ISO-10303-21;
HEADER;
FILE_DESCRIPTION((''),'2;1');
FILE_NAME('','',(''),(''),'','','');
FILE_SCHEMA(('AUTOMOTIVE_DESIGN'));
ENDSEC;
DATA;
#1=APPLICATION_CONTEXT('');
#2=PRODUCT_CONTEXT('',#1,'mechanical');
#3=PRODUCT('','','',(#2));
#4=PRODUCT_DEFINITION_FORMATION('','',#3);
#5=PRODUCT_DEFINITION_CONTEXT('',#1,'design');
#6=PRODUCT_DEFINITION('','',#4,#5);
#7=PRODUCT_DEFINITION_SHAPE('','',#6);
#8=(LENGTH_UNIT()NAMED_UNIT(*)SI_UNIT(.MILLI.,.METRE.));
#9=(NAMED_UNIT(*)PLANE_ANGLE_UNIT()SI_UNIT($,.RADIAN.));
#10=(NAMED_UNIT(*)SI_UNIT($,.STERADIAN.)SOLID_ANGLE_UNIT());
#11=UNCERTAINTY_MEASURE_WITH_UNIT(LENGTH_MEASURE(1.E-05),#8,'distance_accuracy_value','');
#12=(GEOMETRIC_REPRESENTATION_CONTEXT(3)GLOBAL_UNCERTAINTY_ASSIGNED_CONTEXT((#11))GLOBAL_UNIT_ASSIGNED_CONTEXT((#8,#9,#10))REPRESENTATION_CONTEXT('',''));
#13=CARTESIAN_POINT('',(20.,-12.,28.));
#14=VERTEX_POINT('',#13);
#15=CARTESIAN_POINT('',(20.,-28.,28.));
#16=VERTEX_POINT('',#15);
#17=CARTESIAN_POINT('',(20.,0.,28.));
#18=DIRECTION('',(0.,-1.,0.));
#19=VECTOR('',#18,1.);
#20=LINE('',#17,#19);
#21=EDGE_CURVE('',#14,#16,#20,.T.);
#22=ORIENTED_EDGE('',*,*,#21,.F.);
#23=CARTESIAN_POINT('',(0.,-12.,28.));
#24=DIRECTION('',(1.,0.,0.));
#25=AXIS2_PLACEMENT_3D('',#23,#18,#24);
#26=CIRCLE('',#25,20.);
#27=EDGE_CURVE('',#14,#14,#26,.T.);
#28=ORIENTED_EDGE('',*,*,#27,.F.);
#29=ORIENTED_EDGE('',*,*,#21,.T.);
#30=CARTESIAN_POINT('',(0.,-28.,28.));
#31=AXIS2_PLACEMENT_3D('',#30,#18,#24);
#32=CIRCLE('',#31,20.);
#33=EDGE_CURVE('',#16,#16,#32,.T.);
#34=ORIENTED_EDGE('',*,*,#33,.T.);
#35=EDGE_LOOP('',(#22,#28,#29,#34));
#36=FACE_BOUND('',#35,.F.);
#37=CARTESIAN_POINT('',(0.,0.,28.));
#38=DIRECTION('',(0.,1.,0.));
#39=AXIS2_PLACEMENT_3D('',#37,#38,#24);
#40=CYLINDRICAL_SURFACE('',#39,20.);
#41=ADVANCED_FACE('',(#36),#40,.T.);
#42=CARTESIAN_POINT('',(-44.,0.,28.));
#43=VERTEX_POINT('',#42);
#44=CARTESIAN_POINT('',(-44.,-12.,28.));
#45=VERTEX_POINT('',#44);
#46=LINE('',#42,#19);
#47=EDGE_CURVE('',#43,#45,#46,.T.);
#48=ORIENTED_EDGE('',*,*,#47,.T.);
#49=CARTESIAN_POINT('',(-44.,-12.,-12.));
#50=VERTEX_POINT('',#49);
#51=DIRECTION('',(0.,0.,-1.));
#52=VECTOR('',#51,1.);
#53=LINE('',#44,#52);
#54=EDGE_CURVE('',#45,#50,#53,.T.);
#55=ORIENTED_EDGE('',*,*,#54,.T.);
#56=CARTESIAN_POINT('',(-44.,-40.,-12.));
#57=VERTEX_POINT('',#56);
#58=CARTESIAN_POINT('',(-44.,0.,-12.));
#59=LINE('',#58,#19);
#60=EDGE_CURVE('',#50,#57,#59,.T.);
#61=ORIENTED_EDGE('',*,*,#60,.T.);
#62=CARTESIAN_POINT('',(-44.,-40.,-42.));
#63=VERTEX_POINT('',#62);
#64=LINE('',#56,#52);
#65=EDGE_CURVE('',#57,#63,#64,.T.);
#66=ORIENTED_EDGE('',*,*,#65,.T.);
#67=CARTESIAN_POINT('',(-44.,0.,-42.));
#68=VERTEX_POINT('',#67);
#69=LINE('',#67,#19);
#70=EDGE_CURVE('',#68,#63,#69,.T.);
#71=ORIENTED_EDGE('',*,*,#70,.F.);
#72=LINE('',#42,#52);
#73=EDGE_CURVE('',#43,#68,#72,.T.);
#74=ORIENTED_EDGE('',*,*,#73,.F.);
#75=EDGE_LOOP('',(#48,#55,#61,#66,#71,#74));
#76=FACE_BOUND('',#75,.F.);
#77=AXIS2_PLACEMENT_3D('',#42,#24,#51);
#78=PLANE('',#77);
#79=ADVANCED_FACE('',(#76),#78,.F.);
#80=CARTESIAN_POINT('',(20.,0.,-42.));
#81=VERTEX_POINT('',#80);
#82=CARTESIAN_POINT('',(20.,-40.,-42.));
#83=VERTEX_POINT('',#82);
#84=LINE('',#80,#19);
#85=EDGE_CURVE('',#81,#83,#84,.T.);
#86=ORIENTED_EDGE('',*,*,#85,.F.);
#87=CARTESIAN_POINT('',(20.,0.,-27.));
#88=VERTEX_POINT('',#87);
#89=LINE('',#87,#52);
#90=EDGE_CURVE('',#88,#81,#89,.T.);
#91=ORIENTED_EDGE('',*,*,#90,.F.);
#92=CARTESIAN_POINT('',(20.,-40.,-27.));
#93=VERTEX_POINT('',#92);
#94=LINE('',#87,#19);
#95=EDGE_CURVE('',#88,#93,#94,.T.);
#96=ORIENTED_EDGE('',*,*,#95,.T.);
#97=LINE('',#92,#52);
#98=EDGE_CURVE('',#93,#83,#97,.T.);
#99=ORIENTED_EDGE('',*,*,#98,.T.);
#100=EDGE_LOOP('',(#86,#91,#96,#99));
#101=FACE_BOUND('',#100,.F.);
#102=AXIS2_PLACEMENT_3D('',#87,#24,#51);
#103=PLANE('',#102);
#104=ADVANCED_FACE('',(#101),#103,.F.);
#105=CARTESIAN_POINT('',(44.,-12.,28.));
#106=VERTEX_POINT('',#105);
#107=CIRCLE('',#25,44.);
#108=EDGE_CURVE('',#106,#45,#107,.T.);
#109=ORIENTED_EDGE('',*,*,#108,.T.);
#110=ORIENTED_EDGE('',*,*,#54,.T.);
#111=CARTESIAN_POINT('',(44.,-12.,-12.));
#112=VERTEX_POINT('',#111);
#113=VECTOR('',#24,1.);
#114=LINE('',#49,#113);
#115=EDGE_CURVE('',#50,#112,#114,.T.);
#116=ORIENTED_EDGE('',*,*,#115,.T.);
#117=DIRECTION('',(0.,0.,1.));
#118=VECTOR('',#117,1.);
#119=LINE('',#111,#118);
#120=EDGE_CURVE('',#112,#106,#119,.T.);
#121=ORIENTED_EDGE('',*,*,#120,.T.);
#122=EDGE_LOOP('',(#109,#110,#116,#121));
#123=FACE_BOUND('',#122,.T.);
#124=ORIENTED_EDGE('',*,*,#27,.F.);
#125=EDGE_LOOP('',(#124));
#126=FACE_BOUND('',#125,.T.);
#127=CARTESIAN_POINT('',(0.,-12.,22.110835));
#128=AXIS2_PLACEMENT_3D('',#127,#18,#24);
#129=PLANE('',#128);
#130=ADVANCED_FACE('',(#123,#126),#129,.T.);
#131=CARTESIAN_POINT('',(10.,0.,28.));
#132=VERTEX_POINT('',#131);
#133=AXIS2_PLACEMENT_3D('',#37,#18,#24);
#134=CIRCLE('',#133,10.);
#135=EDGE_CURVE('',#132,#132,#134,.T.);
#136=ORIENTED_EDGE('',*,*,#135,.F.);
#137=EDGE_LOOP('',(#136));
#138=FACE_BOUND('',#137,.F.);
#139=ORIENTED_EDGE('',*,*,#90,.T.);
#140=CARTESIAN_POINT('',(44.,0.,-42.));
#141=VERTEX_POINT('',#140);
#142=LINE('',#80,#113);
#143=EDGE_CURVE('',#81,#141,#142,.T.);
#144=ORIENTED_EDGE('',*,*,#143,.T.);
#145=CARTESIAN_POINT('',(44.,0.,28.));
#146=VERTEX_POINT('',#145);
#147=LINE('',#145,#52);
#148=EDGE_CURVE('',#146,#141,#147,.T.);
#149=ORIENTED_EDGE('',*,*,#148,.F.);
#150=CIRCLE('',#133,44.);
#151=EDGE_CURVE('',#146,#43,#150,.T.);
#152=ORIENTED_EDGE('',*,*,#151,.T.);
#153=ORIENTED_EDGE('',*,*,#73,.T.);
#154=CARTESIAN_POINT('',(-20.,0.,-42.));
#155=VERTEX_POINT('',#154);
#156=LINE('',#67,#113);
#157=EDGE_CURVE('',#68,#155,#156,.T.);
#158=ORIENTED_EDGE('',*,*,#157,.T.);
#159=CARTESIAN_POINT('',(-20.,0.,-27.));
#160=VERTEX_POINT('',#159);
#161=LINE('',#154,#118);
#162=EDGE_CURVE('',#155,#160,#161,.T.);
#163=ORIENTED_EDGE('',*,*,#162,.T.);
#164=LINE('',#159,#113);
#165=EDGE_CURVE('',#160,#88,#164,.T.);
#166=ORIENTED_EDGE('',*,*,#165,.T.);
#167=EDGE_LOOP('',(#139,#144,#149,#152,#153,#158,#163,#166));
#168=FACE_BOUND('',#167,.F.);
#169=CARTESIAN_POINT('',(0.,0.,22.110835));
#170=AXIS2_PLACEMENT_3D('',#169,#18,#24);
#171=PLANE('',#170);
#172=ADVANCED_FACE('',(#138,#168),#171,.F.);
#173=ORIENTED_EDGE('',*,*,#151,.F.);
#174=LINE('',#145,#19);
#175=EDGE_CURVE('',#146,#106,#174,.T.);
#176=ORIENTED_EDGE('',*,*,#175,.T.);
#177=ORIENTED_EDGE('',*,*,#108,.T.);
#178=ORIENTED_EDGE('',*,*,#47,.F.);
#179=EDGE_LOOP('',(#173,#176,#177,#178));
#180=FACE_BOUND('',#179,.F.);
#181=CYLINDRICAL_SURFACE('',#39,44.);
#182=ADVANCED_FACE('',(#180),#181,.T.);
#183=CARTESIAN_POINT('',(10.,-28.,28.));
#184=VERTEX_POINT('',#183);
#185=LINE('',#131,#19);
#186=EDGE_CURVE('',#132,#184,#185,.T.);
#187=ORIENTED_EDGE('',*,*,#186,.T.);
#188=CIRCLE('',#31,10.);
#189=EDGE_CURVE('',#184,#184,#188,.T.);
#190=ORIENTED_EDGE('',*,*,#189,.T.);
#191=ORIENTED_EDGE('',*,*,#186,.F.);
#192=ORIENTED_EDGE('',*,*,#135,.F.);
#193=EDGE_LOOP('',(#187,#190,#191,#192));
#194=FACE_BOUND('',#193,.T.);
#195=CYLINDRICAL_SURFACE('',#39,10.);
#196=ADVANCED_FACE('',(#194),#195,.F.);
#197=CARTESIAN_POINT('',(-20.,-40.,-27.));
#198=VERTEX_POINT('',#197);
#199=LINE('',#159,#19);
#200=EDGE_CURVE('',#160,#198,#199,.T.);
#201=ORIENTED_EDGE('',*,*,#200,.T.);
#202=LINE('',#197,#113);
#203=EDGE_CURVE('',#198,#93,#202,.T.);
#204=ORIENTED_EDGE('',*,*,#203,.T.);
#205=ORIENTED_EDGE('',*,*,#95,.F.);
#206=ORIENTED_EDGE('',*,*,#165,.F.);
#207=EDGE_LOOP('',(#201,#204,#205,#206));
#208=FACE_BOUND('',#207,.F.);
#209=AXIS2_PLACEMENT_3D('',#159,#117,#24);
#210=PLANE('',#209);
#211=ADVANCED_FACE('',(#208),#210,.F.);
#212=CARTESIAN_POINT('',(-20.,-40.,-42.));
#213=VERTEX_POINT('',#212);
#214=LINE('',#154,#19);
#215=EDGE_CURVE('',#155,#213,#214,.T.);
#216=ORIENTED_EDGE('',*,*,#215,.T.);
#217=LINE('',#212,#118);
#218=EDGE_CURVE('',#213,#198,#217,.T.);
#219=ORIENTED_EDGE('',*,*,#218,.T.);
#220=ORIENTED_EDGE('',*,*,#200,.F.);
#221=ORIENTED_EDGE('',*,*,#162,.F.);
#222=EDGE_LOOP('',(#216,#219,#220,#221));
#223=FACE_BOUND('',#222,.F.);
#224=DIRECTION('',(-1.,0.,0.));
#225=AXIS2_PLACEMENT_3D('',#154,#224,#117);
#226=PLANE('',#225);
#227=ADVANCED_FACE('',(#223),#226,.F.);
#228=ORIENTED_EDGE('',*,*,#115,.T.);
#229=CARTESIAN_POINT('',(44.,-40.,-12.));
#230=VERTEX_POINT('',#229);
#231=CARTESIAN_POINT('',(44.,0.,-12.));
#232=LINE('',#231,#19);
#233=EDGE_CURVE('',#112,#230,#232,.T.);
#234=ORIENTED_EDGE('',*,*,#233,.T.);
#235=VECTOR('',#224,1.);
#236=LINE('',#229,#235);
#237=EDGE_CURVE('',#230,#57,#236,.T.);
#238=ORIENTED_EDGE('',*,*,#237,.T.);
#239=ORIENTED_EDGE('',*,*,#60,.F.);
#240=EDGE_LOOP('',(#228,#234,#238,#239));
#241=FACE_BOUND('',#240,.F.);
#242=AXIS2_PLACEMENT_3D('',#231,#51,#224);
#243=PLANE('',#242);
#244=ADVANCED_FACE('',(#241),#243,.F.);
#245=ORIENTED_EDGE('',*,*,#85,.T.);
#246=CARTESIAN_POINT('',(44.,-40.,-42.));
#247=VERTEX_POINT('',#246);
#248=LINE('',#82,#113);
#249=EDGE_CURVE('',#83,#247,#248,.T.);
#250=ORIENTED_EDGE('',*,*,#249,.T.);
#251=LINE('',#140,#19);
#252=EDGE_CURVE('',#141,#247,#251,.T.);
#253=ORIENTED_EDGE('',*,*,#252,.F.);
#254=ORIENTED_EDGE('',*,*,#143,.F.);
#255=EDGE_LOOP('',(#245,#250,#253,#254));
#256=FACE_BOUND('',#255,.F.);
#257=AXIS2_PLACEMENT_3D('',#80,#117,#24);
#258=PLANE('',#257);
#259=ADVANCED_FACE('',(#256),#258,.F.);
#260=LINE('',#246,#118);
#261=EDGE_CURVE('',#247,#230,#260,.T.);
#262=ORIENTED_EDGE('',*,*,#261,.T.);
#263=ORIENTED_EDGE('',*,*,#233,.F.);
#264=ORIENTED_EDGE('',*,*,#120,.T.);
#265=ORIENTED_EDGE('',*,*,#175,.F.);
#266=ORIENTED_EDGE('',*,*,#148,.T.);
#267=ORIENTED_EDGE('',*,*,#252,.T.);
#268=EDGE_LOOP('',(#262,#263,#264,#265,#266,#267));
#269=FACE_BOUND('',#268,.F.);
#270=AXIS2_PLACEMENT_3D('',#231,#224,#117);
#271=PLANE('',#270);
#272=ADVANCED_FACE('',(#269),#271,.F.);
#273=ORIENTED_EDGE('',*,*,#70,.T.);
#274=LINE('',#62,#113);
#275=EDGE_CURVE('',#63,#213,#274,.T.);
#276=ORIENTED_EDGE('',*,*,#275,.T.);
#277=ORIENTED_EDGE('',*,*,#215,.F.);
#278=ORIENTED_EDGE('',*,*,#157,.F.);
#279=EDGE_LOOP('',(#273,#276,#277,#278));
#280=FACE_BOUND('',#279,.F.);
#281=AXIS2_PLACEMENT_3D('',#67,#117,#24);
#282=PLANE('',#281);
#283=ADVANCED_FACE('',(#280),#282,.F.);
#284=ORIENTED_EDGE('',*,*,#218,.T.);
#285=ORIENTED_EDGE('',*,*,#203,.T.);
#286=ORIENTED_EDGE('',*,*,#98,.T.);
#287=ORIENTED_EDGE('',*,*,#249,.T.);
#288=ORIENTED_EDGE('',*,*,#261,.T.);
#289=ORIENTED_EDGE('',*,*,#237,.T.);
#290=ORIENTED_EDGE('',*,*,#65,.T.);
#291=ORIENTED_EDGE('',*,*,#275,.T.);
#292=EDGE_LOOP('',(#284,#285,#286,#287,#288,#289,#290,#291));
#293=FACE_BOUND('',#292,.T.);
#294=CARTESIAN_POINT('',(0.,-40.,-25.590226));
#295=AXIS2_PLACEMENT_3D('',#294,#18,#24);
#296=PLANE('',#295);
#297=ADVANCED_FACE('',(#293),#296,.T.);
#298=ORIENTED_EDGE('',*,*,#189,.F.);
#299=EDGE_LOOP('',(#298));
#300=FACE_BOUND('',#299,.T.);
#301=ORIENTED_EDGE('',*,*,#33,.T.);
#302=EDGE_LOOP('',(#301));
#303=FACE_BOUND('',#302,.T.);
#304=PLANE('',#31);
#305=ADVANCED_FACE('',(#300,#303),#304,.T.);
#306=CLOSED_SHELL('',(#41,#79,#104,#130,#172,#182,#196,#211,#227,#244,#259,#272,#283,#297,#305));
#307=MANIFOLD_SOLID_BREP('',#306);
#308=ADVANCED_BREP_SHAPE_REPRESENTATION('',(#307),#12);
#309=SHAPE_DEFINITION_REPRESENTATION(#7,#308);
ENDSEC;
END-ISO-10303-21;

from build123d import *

# Parameters (mm, degrees)
F0_R     = 20
F0_R_2   = 10
F1_DEPTH = 28
F2_DEPTH = 40
F3_DEPTH = 12


with BuildPart() as f1:
    # F0 (on Front) → F1 (new body)
    with BuildSketch(Plane.XZ):
        with Locations((0, 28)):
            Circle(F0_R)
        with Locations((0, 28)):
            Circle(F0_R_2, mode=Mode.SUBTRACT)
    extrude(amount=F1_DEPTH)



with BuildPart() as f2:
    # F0 (on Front) → F2 (new body)
    with BuildSketch(Plane.XZ):
        Polygon((44, -12), (-44, -12), (-44, -42), (-20, -42), (-20, -27), (20, -27), (20, -42), (44, -42), align=None)
    extrude(amount=F2_DEPTH)


with BuildPart() as f1_1:
    add(f1.part)

    add(f2.part)  # F3 merges F2
    # F0 (on Front) → F3 (join)
    with BuildSketch(Plane.XZ):
        with BuildLine():
            Line((-44, 28), (-44, -12))
            Line((-44, -12), (44, -12))
            Line((44, -12), (44, 28))
            ThreePointArc((44, 28), (0, 72), (-44, 28))
        make_face()
        with Locations((0, 28)):
            Circle(F0_R, mode=Mode.SUBTRACT)
    extrude(amount=F3_DEPTH)


solid = f1_1.part
